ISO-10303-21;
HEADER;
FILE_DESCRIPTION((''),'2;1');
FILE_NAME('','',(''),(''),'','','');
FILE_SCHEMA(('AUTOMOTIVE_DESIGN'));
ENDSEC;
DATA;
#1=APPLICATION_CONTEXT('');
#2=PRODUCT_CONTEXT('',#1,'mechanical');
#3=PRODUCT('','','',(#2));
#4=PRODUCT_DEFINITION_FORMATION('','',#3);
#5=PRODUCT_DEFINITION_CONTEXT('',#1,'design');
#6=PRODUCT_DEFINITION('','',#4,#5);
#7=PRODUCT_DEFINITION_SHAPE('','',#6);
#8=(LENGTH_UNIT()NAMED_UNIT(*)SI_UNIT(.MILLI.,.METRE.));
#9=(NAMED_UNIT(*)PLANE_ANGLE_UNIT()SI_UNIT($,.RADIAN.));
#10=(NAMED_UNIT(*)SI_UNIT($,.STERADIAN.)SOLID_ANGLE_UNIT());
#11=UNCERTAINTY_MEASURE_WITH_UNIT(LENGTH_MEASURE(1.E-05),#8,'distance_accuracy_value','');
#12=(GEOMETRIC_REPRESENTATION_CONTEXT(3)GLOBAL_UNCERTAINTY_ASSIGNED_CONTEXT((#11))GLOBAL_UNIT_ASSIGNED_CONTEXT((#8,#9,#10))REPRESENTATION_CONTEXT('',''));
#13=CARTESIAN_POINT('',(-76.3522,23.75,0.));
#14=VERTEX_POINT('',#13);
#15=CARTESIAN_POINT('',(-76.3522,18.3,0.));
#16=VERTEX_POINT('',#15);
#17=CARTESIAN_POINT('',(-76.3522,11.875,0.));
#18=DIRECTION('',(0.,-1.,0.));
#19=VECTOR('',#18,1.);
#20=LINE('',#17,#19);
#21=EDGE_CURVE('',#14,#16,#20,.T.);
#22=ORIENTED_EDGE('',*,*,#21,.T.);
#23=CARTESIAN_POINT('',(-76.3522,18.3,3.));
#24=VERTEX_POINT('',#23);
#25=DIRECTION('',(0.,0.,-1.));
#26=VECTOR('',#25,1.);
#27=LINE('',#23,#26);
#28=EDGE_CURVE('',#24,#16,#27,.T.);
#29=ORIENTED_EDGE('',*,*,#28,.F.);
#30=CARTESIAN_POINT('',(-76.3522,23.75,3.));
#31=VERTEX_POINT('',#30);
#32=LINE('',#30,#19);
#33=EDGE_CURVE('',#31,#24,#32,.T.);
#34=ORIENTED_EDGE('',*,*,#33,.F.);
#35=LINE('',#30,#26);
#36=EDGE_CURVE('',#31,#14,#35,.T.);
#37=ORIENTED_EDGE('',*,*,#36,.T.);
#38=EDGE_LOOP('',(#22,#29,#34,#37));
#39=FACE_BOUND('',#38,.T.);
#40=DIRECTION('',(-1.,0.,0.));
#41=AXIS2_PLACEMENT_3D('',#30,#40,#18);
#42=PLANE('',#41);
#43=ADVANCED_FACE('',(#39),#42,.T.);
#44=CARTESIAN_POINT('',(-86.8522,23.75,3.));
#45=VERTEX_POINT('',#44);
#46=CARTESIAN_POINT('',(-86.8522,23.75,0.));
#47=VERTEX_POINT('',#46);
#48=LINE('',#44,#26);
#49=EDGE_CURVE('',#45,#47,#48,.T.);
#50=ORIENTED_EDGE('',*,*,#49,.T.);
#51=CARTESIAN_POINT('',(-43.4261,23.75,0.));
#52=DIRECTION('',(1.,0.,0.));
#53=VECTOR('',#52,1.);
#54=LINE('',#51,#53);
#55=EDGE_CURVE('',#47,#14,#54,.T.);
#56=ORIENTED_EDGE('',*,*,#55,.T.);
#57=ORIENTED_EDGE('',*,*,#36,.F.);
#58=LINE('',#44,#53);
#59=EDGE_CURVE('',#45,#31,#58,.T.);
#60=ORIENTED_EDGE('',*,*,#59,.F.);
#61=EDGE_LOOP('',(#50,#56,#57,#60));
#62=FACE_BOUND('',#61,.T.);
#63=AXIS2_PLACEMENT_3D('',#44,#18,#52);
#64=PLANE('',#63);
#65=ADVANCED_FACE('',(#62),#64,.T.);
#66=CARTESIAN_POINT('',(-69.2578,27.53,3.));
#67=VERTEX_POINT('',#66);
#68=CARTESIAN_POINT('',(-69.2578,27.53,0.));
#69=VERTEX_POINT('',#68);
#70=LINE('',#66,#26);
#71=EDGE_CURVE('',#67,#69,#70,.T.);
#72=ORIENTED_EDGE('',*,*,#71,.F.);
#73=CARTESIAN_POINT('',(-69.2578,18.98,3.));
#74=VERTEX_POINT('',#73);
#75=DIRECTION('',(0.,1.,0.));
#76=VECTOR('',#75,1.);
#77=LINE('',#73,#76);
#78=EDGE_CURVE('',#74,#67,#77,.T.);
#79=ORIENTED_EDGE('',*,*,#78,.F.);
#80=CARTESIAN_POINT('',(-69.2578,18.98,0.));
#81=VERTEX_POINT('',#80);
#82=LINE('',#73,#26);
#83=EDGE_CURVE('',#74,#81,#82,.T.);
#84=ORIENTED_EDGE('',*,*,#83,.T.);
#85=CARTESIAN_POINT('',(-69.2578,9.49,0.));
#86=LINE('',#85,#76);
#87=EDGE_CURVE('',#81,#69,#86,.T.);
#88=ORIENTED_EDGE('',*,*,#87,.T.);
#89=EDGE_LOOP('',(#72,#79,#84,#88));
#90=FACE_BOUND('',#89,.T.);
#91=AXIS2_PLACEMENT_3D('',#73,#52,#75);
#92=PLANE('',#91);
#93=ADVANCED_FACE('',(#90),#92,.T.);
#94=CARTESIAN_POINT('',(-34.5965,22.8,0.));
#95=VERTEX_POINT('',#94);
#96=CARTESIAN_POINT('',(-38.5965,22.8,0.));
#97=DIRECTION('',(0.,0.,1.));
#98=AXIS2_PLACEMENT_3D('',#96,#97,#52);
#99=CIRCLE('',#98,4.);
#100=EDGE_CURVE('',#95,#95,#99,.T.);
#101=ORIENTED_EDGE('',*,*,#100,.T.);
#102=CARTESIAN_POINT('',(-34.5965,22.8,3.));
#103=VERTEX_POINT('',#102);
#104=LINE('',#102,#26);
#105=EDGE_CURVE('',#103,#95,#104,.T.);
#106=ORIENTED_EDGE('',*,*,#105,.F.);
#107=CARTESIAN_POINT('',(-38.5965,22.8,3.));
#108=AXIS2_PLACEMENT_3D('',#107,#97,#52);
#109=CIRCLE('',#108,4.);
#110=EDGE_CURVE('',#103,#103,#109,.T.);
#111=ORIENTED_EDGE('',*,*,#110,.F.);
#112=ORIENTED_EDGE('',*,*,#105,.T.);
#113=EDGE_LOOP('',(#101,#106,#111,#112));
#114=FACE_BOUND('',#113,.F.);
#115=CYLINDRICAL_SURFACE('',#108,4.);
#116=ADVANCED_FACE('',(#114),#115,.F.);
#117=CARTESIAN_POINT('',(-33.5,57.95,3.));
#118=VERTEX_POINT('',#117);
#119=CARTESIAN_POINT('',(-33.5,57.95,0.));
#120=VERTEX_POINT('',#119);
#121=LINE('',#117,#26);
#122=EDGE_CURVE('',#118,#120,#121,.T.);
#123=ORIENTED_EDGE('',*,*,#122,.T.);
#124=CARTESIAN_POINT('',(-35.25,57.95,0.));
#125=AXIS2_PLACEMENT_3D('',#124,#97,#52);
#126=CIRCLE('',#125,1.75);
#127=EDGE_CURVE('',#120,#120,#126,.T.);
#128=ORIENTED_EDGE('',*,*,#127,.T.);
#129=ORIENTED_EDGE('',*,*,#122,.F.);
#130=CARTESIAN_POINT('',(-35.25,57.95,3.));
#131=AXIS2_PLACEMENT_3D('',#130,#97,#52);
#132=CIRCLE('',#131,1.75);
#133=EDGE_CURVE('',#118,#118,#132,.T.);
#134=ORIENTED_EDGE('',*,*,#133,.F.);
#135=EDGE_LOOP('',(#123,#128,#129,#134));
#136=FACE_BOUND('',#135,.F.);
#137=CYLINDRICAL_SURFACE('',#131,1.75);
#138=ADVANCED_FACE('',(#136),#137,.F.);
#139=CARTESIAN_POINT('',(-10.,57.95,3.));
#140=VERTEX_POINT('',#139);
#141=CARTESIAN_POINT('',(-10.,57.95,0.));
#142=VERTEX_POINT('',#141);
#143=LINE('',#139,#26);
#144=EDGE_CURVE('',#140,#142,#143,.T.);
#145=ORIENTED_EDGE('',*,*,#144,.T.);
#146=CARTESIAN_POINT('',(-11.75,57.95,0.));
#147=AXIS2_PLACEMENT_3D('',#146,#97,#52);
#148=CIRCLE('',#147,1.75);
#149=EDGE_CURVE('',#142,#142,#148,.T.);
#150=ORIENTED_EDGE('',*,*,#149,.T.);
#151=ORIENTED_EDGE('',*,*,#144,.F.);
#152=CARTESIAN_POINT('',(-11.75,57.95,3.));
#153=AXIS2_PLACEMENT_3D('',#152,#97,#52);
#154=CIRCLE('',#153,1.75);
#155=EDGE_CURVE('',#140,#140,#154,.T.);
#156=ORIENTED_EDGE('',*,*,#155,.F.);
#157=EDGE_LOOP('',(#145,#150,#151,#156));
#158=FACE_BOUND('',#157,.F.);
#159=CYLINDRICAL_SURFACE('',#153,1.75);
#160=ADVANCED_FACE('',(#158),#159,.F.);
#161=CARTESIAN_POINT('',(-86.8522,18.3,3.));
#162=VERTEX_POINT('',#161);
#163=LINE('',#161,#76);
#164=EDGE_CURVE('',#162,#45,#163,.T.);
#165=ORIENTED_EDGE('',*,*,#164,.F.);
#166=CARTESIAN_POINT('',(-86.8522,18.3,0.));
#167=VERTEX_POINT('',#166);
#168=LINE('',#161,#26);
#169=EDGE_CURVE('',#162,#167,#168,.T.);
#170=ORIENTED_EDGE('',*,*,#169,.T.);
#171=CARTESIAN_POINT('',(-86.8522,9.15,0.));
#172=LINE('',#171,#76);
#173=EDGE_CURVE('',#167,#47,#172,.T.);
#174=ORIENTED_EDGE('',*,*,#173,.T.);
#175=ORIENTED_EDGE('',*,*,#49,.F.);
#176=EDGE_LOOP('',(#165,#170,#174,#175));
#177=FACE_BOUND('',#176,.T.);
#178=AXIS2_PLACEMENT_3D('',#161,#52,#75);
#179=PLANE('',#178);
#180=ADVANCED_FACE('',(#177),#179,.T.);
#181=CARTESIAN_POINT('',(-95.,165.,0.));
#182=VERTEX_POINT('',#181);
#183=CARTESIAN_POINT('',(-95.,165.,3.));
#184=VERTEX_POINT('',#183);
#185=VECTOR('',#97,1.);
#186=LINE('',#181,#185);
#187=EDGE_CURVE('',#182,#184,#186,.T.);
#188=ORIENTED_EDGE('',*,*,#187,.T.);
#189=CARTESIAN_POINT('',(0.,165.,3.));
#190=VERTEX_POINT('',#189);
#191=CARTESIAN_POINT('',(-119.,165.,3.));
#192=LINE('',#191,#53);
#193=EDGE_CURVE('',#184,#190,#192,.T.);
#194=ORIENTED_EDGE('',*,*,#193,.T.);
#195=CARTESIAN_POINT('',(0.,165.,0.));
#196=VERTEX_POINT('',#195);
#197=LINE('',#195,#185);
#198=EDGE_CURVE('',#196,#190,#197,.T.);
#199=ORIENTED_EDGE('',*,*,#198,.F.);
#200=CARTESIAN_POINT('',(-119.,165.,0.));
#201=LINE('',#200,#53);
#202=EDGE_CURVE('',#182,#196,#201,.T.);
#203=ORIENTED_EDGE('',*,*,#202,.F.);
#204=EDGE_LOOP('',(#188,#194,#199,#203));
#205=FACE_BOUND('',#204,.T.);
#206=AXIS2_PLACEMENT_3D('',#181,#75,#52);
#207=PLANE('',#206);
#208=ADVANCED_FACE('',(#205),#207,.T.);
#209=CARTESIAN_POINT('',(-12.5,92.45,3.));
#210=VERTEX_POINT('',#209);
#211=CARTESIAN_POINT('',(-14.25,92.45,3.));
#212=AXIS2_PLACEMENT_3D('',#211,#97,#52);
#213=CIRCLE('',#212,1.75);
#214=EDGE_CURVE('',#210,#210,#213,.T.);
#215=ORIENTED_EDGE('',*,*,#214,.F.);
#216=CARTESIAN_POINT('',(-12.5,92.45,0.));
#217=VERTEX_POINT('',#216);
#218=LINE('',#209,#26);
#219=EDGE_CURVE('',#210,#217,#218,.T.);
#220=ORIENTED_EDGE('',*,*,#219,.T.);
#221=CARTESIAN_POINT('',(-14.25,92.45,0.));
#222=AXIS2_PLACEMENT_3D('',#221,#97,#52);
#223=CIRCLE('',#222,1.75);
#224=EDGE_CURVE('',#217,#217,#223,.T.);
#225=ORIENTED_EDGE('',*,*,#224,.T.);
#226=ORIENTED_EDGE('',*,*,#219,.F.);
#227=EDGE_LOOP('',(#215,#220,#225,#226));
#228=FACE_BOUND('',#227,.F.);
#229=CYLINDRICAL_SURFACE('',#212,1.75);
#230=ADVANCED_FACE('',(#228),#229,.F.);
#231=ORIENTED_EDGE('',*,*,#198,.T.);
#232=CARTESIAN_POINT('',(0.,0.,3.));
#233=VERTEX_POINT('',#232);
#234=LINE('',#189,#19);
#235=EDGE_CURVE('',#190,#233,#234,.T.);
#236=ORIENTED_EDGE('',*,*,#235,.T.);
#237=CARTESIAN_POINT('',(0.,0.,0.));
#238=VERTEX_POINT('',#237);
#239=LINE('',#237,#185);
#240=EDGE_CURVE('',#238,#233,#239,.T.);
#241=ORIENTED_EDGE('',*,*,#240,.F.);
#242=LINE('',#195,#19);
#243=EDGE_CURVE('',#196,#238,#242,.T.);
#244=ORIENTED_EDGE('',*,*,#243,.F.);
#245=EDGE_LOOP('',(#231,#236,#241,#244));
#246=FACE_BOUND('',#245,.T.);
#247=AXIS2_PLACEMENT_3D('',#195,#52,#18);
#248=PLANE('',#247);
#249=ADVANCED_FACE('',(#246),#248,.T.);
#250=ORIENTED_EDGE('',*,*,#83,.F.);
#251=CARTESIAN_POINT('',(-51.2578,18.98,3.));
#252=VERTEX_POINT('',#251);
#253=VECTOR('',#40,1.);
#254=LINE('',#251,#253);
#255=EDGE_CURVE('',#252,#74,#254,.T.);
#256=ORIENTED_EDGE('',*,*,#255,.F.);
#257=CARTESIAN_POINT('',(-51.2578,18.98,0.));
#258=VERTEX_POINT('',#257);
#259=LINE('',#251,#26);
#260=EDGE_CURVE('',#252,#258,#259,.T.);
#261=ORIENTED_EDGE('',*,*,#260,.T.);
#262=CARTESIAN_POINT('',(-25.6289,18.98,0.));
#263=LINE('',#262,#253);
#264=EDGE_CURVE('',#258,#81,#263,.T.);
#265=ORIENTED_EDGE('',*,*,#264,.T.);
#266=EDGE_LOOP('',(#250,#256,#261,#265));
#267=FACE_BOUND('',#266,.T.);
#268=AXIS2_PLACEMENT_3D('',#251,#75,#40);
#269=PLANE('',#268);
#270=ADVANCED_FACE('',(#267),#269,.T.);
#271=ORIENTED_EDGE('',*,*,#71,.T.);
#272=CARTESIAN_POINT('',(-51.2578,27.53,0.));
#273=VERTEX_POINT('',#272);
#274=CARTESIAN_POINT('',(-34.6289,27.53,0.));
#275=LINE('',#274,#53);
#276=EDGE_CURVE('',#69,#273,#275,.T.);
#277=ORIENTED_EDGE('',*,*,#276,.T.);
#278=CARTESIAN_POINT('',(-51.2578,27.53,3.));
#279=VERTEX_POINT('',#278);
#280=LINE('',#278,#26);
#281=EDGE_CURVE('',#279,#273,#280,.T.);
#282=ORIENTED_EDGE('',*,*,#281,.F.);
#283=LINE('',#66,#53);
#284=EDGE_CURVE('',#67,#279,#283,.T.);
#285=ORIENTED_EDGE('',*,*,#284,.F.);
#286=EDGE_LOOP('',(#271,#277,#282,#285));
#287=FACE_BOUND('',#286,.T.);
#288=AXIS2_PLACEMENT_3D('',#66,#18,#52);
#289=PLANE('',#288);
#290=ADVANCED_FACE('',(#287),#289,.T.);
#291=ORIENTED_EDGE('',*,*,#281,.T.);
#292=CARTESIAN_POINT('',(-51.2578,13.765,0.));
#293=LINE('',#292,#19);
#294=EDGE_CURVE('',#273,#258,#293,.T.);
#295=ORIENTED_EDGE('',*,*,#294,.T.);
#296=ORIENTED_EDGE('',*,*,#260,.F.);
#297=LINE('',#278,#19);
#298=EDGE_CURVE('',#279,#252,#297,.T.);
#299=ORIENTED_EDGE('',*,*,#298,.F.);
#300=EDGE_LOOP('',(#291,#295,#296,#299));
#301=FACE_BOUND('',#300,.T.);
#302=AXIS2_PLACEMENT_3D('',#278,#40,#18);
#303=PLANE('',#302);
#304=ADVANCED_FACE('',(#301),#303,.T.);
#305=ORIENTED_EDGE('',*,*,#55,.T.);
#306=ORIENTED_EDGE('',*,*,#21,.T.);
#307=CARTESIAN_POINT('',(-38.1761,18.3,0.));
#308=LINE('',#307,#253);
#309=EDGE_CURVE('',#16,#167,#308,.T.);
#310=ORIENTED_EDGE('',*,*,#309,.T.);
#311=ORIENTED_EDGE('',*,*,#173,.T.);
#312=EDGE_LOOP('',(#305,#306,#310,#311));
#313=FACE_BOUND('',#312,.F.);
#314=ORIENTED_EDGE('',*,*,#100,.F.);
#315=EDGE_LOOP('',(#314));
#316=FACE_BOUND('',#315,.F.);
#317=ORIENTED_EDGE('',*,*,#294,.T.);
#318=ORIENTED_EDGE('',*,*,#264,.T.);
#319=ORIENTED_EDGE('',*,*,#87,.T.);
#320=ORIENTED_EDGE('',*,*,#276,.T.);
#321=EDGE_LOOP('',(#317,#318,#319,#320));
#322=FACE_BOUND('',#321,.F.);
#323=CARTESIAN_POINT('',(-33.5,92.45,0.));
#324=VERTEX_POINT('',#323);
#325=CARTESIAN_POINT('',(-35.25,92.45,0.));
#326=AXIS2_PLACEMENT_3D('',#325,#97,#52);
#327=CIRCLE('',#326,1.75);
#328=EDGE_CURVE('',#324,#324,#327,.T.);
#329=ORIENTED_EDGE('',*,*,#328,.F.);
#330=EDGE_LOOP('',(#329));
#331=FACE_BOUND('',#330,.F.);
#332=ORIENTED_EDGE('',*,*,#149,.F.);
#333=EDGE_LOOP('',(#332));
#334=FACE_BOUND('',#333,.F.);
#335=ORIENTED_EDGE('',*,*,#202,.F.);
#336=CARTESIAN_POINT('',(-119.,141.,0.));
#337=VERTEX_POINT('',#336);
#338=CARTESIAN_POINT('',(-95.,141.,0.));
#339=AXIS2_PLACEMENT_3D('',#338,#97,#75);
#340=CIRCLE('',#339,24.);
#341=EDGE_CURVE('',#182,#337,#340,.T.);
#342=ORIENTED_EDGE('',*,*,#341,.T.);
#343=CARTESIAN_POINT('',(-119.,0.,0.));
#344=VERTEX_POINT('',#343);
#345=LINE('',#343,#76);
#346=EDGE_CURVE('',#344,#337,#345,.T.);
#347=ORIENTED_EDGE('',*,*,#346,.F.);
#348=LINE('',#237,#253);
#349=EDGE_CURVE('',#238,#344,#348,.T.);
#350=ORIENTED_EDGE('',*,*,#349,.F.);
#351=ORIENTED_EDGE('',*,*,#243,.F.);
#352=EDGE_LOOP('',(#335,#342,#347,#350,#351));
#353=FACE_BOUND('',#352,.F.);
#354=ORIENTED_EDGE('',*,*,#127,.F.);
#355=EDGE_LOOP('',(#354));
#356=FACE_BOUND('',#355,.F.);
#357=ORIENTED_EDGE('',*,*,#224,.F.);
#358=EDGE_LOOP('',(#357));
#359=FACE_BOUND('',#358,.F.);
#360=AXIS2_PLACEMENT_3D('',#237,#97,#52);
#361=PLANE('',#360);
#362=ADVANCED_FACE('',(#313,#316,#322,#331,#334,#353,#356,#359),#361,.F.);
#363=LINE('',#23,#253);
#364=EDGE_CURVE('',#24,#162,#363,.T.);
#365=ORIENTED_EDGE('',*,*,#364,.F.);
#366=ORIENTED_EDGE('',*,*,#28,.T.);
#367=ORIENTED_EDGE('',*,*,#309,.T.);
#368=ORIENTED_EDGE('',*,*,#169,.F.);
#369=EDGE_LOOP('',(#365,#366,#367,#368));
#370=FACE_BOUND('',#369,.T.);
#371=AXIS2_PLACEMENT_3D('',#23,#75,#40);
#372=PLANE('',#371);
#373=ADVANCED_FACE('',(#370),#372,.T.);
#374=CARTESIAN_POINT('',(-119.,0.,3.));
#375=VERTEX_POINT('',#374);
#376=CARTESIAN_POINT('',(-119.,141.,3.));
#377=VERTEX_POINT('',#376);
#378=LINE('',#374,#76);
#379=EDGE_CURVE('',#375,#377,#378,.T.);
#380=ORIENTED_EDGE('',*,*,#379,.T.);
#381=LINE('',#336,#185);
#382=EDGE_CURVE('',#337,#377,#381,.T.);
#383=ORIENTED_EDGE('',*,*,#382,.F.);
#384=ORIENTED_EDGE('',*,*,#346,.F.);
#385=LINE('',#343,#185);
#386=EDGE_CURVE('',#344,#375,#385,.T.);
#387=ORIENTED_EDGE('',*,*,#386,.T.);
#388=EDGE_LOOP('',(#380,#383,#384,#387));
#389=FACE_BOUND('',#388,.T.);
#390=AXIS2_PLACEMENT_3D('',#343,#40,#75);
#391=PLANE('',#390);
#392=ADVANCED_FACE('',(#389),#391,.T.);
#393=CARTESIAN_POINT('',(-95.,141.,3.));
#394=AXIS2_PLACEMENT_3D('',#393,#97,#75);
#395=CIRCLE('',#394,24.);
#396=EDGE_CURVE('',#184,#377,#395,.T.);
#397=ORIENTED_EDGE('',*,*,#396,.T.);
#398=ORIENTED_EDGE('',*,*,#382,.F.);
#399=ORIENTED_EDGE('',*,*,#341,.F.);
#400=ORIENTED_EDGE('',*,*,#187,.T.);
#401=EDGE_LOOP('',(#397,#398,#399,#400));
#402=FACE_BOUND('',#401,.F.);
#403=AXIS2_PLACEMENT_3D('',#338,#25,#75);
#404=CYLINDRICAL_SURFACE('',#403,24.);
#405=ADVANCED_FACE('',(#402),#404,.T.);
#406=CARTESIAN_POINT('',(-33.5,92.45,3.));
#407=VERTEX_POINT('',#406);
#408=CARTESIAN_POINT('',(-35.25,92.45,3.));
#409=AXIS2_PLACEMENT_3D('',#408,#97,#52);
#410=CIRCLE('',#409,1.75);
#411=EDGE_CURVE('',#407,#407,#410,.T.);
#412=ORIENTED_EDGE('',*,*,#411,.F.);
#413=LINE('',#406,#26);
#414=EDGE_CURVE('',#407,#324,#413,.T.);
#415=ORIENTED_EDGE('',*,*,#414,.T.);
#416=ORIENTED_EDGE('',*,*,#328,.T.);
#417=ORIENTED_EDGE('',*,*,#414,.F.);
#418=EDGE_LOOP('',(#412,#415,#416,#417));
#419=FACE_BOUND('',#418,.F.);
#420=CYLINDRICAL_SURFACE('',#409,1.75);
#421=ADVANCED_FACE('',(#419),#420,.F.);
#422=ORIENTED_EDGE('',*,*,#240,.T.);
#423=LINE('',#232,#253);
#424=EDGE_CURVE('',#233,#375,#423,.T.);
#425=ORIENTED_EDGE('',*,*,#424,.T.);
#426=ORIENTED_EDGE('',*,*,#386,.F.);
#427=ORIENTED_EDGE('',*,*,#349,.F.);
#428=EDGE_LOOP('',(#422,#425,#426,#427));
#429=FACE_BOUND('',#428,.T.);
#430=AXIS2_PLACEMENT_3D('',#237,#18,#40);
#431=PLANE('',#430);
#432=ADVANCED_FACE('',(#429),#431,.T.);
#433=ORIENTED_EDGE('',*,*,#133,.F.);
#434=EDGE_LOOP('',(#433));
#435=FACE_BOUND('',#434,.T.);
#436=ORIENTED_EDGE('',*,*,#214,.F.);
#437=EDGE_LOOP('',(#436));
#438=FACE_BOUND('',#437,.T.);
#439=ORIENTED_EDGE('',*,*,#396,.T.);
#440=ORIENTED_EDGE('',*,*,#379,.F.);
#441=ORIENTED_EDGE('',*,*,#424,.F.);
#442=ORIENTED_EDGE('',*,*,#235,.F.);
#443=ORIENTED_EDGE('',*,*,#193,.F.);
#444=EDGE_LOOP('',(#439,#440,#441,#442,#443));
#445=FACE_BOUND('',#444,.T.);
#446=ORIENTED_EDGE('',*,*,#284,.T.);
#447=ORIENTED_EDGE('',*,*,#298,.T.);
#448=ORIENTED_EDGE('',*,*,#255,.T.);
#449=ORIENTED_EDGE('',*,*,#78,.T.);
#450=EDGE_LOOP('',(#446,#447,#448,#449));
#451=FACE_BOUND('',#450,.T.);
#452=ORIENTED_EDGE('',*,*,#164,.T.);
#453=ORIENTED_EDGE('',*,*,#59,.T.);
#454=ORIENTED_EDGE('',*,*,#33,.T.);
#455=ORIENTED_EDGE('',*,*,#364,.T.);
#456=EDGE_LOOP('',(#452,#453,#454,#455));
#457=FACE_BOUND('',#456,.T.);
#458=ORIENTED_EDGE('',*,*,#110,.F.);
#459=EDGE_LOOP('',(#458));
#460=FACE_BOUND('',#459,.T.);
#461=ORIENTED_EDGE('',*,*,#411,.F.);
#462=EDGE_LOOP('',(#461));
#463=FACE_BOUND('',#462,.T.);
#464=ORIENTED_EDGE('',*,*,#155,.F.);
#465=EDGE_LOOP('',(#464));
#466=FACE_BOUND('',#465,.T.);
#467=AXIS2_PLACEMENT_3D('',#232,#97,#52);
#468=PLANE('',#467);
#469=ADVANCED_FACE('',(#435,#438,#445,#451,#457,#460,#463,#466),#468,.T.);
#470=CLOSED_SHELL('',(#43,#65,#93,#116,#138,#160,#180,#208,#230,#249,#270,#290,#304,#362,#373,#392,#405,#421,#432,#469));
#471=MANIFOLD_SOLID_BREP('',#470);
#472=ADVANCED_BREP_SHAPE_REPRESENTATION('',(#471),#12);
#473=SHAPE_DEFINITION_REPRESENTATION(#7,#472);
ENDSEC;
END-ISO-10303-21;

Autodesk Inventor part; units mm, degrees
ref_plane "YZ Plane" through (0, 0, 0) normal (1, 0, 0) x (0, 1, 0)
ref_plane "XZ Plane" through (0, 0, 0) normal (0, 1, 0) x (-1, 0, 0)
ref_plane "XY Plane" through (0, 0, 0) normal (0, 0, 1) x (1, 0, 0)
sketch "Sketch1" plane through (0, 0, 0) normal (0, 0, 1) x (1, 0, 0)
  line L0 (0, 0) -> (-119, 0)
  line L1 (-119, 0) -> (-119, 165)
  line L2 (-119, 165) -> (0, 165)
  line L3 (0, 165) -> (0, 0)
  arc A0 (-95, 165) -> (-119, 141) centre (-95, 141) ccw
  dimension "d0" = 119
  dimension "d1" = 24
  dimension "d2" = 165
extrude "Extrusion1" add sketch "Sketch1" along normal blind 3 contours L0 L1 A0 L2 L3
sketch "Sketch2" plane through (0, 0, 3) normal (0, 0, 1) x (1, 0, 0)
  circle A0 centre (-35.25, 92.45) radius 1.75
  circle A1 centre (-14.25, 92.45) radius 1.75
  circle A2 centre (-11.75, 57.95) radius 1.75
  circle A3 centre (-35.25, 57.95) radius 1.75
  circle A4 centre (-38.5965, 22.8) radius 3
  circle A5 centre (-38.5965, 22.8) radius 4
  line L0 (-69.2578, 27.53) -> (-51.2578, 27.53)
  line L1 (-51.2578, 27.53) -> (-51.2578, 18.98)
  line L2 (-51.2578, 18.98) -> (-69.2578, 18.98)
  line L3 (-69.2578, 18.98) -> (-69.2578, 27.53)
  line L4 (-67.7578, 25.23) -> (-67.7578, 22.7561)
  line L5 (-52.7578, 22.7561) -> (-52.7578, 25.23)
  line L6 (-53.5578, 26.03) -> (-66.9578, 26.03)
  line L7 (-59.8078, 20.48) -> (-55.4728, 20.48)
  line L8 (-77.8522, 21.65) -> (-77.8522, 20.9314)
  line L9 (-78.9836, 19.8) -> (-81.5993, 19.8)
  line L10 (-85.3522, 20.9314) -> (-85.3522, 21.65)
  line L11 (-84.7522, 22.25) -> (-78.4522, 22.25)
  line L12 (-86.8522, 23.75) -> (-76.3522, 23.75)
  line L13 (-76.3522, 23.75) -> (-76.3522, 18.3)
  line L14 (-76.3522, 18.3) -> (-86.8522, 18.3)
  line L15 (-86.8522, 18.3) -> (-86.8522, 23.75)
  line L16 (0, 0) -> (0, 165) projected
  line L17 (0, 165) -> (-95, 165) projected
  arc A6 (-95, 165) -> (-119, 141) centre (-95, 141) ccw projected
  line L18 (-119, 141) -> (-119, 0) projected
  line L19 (-119, 0) -> (0, 0) projected
  point P0 (-52.7578, 23.9931)
  dimension "d51" = 1
  dimension "d52" = 15
  dimension "d53" = 1.5
  dimension "d54" = 1.5
  dimension "d55" = 1.5
  dimension "d56" = 1.5
  dimension "d57" = 1.5
  dimension "d58" = 1.5
  dimension "d59" = 1.5
  dimension "d60" = 1.5
  dimension "d63" = 3.5
  dimension "d64" = 8
  dimension "d72" = 138.97
  dimension "d73" = 144.52
  dimension "d74" = 145.2
  dimension "d75" = 141.25
  dimension "d76" = 52.7578
  dimension "d77" = 76.3522
  dimension "d78" = 86.8522
  dimension "d82" = 67.7578
  dimension "d96" = 107.05
  dimension "d97" = 11.75
  dimension "d98" = 72.55
  dimension "d99" = 14.25
  dimension "d102" = 72.55
  dimension "d103" = 35.25
  dimension "d104" = 107.05
  dimension "d105" = 35.25
  dimension "d106" = 38.5965
  dimension "d107" = 139.77
  dimension "d108" = 141.0069
  dimension "d109" = 53.5578
  dimension "d110" = 55.4728
  dimension "d111" = 59.8078
  dimension "d112" = 66.9578
  dimension "d113" = 139.77
  dimension "d114" = 142.2439
  dimension "d115" = 143.35
  dimension "d116" = 144.0686
  dimension "d117" = 78.4522
  dimension "d118" = 78.9836
  dimension "d119" = 81.5993
  dimension "d120" = 84.7522
  dimension "d121" = 143.35
  dimension "d122" = 144.0686
extrude "Extrusion2" cut sketch "Sketch2" against normal through all contours A0 | A1 | A2 | A3 | A4 | A5 | L0 L1 L2 L3 | L12 L13 L14 L15
properties part number "acrylicSidePanel"
